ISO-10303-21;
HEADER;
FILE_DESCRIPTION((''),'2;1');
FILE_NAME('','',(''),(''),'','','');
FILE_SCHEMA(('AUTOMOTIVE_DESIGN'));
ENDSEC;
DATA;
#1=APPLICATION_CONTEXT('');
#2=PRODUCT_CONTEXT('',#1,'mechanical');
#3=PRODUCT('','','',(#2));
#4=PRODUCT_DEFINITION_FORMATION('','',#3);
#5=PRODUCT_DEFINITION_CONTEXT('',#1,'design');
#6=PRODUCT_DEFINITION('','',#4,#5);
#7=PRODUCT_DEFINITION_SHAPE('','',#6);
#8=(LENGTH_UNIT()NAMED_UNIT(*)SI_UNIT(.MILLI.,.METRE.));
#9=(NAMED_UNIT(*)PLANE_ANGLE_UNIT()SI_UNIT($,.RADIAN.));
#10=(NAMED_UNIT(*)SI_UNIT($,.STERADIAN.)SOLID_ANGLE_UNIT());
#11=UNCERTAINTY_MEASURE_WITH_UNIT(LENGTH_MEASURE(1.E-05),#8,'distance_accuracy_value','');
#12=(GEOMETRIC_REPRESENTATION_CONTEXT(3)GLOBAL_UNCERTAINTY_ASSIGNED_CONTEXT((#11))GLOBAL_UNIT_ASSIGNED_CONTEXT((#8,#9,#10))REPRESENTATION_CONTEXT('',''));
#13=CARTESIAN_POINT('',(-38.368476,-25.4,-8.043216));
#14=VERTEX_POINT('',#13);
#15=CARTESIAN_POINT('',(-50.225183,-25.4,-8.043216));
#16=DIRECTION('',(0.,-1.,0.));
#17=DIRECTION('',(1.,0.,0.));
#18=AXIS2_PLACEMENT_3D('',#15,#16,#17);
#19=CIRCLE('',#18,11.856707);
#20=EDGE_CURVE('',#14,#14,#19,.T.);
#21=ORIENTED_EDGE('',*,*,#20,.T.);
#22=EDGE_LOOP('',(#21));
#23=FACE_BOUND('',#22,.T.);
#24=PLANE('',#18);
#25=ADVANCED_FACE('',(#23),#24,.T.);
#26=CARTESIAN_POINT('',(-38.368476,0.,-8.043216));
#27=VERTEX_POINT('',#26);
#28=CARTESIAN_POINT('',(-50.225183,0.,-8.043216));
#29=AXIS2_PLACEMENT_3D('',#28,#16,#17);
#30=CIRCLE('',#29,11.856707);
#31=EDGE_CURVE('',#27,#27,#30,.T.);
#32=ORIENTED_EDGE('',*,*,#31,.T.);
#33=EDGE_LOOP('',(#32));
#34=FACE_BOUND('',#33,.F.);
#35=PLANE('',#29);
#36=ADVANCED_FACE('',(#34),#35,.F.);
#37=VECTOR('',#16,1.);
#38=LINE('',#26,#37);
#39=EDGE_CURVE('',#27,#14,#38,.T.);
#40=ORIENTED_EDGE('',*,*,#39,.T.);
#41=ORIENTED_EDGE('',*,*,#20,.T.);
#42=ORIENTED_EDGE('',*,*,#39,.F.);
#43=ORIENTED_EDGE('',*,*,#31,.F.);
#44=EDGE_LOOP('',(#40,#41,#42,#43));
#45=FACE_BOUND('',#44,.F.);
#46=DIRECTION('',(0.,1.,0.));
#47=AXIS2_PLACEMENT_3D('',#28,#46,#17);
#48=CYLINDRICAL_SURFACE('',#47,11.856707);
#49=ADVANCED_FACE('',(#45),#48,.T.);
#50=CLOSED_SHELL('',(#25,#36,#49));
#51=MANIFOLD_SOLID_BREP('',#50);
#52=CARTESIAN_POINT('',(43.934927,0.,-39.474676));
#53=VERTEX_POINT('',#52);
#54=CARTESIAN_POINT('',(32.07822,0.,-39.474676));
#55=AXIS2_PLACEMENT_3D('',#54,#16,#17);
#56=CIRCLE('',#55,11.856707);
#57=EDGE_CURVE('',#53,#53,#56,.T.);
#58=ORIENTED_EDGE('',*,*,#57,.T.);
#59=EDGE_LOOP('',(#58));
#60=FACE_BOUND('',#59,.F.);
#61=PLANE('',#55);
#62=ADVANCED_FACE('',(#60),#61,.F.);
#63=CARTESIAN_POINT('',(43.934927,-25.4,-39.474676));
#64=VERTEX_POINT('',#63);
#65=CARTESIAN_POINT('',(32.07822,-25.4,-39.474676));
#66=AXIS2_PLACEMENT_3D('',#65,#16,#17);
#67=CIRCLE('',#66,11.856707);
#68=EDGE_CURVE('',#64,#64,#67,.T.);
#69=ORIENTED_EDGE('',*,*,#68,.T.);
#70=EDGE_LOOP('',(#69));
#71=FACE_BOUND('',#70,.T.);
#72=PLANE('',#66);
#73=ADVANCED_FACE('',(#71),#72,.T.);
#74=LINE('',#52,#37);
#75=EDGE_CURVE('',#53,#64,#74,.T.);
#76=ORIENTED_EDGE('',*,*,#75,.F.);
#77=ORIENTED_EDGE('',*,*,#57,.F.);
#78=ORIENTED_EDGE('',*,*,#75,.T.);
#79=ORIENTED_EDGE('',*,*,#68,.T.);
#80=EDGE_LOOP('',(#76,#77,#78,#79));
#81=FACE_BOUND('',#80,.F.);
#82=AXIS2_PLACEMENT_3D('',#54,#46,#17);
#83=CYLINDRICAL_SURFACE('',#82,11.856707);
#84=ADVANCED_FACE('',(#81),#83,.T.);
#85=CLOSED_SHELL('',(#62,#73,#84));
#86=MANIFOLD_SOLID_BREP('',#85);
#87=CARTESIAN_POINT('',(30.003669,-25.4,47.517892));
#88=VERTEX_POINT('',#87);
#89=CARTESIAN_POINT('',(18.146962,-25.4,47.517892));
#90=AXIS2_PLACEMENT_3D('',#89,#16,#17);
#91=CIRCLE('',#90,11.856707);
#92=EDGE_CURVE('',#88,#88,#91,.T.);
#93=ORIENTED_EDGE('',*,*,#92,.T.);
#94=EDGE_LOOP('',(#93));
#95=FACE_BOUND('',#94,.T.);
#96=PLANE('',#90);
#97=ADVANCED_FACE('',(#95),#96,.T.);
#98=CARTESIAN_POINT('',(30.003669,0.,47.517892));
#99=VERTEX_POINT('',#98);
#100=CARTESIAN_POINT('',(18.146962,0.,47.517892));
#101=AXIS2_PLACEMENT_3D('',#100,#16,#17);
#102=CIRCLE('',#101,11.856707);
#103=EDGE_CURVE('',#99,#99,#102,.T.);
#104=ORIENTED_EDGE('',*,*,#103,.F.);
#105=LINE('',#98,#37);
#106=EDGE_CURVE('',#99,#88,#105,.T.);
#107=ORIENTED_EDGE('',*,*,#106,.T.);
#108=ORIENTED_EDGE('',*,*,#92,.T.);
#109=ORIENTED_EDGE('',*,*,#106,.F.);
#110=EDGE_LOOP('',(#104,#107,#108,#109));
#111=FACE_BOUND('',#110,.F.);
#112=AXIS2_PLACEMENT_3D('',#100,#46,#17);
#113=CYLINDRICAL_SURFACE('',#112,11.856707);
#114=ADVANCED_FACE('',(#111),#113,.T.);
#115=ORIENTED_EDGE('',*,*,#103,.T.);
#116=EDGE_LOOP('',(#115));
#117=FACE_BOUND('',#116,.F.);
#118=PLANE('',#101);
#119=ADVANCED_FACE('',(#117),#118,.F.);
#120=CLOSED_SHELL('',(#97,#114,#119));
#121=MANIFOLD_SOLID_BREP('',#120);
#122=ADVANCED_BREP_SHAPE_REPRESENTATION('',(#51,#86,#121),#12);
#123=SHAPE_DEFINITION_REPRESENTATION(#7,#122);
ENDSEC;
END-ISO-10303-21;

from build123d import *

# Parameters (mm, degrees)
F0_R     = 11.856707
F1_DEPTH = 25.4


with BuildPart() as f1:
    # F0 (on Front) → F1 (new body)
    with BuildSketch(Plane.XZ):
        with Locations((18.146962, 47.517892)):
            Circle(F0_R)
        with Locations((-50.225183, -8.043216)):
            Circle(F0_R)
        with Locations((32.07822, -39.474676)):
            Circle(F0_R)
    extrude(amount=F1_DEPTH)


solid = f1.part
